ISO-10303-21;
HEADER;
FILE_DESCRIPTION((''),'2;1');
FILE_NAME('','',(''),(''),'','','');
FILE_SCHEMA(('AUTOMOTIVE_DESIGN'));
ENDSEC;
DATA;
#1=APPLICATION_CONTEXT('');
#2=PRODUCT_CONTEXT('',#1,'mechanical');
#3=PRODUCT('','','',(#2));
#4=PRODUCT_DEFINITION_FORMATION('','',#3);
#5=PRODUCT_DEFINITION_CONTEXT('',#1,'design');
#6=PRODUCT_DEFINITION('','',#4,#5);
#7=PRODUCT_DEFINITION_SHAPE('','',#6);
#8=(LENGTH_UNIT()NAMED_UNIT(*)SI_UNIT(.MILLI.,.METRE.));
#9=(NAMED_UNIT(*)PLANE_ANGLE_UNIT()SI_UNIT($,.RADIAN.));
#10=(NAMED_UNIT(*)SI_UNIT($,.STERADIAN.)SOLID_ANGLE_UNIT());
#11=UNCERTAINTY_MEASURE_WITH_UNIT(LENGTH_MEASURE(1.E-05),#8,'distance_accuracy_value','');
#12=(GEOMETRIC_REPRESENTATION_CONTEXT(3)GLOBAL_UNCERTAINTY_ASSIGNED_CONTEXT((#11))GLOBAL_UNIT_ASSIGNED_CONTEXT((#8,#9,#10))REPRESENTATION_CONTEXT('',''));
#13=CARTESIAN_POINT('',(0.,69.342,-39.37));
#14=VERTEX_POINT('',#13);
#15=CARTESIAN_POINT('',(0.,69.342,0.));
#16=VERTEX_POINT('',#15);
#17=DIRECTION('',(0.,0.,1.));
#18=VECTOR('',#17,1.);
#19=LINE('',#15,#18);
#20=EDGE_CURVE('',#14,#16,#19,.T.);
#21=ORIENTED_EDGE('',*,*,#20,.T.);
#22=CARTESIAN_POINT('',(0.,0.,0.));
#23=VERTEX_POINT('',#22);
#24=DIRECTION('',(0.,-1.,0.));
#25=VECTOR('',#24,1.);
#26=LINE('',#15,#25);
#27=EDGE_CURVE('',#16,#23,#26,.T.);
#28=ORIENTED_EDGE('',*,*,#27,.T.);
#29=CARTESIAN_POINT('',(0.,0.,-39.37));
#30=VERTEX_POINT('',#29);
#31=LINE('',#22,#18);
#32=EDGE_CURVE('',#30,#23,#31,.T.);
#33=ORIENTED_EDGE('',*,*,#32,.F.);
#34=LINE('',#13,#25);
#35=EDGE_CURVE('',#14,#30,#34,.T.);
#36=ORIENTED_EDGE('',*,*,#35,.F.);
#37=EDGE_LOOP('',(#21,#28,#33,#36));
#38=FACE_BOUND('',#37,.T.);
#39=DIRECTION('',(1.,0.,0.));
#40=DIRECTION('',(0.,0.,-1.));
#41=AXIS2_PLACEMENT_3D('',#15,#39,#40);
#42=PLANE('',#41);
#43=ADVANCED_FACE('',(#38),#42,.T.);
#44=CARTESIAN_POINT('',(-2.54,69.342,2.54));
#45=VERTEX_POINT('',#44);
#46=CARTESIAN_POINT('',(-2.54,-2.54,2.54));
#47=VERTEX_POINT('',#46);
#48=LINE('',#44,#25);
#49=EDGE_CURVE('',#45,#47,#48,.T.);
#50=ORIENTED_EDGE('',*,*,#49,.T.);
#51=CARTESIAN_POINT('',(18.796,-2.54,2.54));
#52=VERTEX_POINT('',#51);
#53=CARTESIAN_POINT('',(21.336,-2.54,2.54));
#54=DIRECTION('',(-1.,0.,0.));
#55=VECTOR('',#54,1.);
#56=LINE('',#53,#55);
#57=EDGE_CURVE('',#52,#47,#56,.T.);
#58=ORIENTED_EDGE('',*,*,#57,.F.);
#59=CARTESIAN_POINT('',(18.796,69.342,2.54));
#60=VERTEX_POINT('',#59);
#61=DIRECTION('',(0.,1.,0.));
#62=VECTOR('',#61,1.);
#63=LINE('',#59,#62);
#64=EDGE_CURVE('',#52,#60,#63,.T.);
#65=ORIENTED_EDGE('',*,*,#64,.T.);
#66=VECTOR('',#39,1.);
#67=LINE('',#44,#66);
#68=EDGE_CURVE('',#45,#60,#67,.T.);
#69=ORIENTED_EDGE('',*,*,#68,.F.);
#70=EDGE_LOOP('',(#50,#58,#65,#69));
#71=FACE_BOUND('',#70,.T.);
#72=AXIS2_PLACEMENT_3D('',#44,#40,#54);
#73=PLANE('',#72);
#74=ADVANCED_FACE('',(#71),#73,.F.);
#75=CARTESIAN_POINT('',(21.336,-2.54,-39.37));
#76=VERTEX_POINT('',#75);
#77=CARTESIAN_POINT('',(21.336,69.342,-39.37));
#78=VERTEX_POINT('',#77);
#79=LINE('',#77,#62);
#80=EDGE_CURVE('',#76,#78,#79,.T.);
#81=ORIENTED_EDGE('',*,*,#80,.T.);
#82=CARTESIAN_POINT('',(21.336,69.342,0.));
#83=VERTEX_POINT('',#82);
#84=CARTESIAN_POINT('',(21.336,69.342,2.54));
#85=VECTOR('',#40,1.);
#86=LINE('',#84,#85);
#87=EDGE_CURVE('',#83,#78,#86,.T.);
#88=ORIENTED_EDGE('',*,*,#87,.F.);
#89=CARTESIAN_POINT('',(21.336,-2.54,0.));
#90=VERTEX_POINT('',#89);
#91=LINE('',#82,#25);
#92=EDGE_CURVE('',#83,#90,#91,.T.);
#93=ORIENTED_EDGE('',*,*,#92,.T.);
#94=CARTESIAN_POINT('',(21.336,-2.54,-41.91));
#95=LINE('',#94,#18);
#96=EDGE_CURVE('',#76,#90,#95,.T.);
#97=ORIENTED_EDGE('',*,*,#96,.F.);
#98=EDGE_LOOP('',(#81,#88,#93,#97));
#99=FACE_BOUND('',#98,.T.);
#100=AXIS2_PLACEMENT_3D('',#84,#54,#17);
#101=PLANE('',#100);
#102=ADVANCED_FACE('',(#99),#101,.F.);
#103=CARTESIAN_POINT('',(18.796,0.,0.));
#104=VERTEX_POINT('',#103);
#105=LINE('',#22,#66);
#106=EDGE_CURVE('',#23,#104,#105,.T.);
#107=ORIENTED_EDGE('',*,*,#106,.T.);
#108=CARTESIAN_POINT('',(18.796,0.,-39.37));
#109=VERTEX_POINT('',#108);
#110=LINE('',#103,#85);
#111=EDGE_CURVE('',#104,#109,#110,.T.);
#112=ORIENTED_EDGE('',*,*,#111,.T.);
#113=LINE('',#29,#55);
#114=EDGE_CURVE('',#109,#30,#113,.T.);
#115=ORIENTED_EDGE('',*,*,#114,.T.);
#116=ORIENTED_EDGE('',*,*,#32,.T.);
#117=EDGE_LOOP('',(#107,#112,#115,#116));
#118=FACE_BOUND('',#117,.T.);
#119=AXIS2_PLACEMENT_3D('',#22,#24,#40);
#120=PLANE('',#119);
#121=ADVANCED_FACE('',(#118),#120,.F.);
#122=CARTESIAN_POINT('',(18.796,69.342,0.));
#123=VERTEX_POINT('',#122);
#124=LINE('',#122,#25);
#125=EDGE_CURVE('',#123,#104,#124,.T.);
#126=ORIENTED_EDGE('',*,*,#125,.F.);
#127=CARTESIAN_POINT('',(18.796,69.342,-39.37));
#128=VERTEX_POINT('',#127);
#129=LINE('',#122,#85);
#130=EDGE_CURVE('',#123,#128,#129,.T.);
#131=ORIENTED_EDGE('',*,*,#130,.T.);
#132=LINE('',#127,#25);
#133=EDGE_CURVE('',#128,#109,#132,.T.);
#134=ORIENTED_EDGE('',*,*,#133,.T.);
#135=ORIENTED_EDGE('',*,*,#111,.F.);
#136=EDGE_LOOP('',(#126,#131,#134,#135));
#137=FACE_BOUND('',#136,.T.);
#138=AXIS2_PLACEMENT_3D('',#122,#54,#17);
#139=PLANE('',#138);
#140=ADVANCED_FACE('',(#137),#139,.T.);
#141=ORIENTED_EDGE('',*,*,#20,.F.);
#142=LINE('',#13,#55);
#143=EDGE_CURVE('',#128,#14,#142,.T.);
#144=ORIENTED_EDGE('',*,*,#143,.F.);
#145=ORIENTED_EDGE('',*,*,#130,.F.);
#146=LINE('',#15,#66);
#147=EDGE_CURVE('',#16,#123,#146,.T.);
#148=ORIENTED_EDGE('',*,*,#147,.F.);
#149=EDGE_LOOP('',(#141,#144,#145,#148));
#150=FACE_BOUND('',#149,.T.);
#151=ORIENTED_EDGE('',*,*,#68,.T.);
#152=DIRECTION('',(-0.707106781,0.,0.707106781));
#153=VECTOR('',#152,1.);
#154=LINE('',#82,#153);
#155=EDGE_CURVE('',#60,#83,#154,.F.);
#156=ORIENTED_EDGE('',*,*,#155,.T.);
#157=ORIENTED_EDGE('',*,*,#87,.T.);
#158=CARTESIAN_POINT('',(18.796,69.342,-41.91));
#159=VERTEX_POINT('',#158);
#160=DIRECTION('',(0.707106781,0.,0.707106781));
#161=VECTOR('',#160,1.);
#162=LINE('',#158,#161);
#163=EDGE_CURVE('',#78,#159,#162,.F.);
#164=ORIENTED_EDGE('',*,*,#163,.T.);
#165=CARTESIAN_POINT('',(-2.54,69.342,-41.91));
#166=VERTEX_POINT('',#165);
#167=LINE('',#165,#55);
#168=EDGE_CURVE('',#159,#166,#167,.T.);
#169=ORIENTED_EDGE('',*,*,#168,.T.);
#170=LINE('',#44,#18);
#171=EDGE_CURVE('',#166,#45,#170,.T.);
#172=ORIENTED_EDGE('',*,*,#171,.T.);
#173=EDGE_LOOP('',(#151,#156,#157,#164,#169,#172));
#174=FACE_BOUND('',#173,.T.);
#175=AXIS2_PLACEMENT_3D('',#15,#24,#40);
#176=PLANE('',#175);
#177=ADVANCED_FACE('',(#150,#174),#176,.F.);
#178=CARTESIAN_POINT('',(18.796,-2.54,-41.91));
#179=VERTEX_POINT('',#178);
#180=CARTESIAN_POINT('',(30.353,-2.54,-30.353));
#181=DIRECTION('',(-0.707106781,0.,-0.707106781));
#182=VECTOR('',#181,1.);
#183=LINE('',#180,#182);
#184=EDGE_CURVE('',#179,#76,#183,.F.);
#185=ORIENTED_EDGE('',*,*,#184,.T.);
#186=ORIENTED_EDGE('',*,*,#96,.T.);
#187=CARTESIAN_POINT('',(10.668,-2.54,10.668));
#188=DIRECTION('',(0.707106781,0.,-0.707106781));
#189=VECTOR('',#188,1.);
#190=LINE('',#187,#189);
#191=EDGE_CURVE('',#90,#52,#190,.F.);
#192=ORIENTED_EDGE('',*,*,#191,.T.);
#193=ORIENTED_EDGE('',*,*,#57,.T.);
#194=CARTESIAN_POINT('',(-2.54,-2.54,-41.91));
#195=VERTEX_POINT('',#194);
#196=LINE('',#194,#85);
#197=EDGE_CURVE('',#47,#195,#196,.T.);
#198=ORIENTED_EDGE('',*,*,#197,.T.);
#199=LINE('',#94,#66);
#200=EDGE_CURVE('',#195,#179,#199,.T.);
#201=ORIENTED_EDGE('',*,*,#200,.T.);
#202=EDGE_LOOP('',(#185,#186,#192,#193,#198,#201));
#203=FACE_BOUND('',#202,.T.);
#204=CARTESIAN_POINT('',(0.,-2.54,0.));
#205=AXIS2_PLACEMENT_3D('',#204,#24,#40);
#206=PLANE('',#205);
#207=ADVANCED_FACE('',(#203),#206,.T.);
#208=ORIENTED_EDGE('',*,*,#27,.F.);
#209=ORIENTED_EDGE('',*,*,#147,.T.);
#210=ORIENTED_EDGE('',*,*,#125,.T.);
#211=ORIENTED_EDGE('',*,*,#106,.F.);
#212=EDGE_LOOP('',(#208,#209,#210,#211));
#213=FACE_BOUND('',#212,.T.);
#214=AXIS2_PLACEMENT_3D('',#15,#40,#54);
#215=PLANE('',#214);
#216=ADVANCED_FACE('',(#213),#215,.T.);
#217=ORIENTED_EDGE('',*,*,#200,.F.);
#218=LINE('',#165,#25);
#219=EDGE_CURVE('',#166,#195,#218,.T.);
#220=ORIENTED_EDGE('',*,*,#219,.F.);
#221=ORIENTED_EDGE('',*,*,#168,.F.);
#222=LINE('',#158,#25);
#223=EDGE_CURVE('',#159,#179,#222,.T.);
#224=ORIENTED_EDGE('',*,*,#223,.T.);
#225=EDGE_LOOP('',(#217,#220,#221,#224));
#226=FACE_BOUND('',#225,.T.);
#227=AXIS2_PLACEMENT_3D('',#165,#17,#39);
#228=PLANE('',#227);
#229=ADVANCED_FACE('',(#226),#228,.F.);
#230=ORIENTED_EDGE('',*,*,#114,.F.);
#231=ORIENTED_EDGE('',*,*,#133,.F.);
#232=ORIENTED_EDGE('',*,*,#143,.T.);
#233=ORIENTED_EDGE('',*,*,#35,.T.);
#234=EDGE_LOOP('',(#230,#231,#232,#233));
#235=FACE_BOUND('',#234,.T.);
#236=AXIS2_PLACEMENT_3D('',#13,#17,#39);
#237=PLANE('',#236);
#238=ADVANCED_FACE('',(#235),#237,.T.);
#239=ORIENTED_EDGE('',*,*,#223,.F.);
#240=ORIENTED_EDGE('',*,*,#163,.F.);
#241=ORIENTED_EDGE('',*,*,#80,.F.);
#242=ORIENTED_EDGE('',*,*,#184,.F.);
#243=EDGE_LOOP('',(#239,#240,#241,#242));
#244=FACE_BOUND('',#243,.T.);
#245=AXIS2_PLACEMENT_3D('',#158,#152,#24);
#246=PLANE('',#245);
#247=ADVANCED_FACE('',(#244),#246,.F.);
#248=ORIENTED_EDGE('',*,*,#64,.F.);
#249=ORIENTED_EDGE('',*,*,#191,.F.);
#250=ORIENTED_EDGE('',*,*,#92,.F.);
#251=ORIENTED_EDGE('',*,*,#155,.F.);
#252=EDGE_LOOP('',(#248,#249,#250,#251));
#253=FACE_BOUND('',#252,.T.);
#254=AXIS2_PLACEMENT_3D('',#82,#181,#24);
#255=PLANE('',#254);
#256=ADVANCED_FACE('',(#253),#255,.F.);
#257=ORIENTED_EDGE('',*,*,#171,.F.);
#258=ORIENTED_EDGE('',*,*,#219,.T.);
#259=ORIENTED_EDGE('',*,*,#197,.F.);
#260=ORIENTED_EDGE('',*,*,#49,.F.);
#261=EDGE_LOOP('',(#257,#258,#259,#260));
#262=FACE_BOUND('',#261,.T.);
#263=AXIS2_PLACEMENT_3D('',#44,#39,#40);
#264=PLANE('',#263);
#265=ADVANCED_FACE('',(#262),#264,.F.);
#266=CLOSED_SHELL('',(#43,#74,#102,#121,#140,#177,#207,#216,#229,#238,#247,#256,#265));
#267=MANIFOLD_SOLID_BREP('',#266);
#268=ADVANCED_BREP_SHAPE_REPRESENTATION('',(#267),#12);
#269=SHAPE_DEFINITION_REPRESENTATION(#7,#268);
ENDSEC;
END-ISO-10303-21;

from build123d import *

# Parameters (mm, degrees)
SKETCH1_W           = 23.876
SKETCH1_H           = 44.45
SKETCH1_W_2         = 18.796
SKETCH1_H_2         = 39.37
BOSS_EXTRUDE1_DEPTH = 69.342
SKETCH2_W           = 23.876
SKETCH2_H           = 44.45
BOSS_EXTRUDE2_DEPTH = 2.54
CHAMFER1_SIZE       = 2.54


with BuildPart() as part:
    # Sketch1 → Boss-Extrude1 (new body)
    with BuildSketch(Plane(origin=(0, 0, 0), x_dir=(1, 0, 0), z_dir=(0, 1, 0))):
        with Locations((9.398, 19.685)):
            Rectangle(SKETCH1_W, SKETCH1_H)
        with Locations((9.398, 19.685)):
            Rectangle(SKETCH1_W_2, SKETCH1_H_2, mode=Mode.SUBTRACT)
    extrude(amount=BOSS_EXTRUDE1_DEPTH)

    # Sketch2 → Boss-Extrude2 (add)
    with BuildSketch(Plane.XZ):
        with Locations((9.398, -19.685)):
            Rectangle(SKETCH2_W, SKETCH2_H)
    extrude(amount=BOSS_EXTRUDE2_DEPTH)

    # Chamfer1
    chamfer1_edges = [part.edges().sort_by_distance(p)[0] for p in [
        (21.336, 33.401, -41.91),
        (21.336, 33.401, 2.54),
    ]]
    chamfer(chamfer1_edges, length=CHAMFER1_SIZE)


solid = part.part
